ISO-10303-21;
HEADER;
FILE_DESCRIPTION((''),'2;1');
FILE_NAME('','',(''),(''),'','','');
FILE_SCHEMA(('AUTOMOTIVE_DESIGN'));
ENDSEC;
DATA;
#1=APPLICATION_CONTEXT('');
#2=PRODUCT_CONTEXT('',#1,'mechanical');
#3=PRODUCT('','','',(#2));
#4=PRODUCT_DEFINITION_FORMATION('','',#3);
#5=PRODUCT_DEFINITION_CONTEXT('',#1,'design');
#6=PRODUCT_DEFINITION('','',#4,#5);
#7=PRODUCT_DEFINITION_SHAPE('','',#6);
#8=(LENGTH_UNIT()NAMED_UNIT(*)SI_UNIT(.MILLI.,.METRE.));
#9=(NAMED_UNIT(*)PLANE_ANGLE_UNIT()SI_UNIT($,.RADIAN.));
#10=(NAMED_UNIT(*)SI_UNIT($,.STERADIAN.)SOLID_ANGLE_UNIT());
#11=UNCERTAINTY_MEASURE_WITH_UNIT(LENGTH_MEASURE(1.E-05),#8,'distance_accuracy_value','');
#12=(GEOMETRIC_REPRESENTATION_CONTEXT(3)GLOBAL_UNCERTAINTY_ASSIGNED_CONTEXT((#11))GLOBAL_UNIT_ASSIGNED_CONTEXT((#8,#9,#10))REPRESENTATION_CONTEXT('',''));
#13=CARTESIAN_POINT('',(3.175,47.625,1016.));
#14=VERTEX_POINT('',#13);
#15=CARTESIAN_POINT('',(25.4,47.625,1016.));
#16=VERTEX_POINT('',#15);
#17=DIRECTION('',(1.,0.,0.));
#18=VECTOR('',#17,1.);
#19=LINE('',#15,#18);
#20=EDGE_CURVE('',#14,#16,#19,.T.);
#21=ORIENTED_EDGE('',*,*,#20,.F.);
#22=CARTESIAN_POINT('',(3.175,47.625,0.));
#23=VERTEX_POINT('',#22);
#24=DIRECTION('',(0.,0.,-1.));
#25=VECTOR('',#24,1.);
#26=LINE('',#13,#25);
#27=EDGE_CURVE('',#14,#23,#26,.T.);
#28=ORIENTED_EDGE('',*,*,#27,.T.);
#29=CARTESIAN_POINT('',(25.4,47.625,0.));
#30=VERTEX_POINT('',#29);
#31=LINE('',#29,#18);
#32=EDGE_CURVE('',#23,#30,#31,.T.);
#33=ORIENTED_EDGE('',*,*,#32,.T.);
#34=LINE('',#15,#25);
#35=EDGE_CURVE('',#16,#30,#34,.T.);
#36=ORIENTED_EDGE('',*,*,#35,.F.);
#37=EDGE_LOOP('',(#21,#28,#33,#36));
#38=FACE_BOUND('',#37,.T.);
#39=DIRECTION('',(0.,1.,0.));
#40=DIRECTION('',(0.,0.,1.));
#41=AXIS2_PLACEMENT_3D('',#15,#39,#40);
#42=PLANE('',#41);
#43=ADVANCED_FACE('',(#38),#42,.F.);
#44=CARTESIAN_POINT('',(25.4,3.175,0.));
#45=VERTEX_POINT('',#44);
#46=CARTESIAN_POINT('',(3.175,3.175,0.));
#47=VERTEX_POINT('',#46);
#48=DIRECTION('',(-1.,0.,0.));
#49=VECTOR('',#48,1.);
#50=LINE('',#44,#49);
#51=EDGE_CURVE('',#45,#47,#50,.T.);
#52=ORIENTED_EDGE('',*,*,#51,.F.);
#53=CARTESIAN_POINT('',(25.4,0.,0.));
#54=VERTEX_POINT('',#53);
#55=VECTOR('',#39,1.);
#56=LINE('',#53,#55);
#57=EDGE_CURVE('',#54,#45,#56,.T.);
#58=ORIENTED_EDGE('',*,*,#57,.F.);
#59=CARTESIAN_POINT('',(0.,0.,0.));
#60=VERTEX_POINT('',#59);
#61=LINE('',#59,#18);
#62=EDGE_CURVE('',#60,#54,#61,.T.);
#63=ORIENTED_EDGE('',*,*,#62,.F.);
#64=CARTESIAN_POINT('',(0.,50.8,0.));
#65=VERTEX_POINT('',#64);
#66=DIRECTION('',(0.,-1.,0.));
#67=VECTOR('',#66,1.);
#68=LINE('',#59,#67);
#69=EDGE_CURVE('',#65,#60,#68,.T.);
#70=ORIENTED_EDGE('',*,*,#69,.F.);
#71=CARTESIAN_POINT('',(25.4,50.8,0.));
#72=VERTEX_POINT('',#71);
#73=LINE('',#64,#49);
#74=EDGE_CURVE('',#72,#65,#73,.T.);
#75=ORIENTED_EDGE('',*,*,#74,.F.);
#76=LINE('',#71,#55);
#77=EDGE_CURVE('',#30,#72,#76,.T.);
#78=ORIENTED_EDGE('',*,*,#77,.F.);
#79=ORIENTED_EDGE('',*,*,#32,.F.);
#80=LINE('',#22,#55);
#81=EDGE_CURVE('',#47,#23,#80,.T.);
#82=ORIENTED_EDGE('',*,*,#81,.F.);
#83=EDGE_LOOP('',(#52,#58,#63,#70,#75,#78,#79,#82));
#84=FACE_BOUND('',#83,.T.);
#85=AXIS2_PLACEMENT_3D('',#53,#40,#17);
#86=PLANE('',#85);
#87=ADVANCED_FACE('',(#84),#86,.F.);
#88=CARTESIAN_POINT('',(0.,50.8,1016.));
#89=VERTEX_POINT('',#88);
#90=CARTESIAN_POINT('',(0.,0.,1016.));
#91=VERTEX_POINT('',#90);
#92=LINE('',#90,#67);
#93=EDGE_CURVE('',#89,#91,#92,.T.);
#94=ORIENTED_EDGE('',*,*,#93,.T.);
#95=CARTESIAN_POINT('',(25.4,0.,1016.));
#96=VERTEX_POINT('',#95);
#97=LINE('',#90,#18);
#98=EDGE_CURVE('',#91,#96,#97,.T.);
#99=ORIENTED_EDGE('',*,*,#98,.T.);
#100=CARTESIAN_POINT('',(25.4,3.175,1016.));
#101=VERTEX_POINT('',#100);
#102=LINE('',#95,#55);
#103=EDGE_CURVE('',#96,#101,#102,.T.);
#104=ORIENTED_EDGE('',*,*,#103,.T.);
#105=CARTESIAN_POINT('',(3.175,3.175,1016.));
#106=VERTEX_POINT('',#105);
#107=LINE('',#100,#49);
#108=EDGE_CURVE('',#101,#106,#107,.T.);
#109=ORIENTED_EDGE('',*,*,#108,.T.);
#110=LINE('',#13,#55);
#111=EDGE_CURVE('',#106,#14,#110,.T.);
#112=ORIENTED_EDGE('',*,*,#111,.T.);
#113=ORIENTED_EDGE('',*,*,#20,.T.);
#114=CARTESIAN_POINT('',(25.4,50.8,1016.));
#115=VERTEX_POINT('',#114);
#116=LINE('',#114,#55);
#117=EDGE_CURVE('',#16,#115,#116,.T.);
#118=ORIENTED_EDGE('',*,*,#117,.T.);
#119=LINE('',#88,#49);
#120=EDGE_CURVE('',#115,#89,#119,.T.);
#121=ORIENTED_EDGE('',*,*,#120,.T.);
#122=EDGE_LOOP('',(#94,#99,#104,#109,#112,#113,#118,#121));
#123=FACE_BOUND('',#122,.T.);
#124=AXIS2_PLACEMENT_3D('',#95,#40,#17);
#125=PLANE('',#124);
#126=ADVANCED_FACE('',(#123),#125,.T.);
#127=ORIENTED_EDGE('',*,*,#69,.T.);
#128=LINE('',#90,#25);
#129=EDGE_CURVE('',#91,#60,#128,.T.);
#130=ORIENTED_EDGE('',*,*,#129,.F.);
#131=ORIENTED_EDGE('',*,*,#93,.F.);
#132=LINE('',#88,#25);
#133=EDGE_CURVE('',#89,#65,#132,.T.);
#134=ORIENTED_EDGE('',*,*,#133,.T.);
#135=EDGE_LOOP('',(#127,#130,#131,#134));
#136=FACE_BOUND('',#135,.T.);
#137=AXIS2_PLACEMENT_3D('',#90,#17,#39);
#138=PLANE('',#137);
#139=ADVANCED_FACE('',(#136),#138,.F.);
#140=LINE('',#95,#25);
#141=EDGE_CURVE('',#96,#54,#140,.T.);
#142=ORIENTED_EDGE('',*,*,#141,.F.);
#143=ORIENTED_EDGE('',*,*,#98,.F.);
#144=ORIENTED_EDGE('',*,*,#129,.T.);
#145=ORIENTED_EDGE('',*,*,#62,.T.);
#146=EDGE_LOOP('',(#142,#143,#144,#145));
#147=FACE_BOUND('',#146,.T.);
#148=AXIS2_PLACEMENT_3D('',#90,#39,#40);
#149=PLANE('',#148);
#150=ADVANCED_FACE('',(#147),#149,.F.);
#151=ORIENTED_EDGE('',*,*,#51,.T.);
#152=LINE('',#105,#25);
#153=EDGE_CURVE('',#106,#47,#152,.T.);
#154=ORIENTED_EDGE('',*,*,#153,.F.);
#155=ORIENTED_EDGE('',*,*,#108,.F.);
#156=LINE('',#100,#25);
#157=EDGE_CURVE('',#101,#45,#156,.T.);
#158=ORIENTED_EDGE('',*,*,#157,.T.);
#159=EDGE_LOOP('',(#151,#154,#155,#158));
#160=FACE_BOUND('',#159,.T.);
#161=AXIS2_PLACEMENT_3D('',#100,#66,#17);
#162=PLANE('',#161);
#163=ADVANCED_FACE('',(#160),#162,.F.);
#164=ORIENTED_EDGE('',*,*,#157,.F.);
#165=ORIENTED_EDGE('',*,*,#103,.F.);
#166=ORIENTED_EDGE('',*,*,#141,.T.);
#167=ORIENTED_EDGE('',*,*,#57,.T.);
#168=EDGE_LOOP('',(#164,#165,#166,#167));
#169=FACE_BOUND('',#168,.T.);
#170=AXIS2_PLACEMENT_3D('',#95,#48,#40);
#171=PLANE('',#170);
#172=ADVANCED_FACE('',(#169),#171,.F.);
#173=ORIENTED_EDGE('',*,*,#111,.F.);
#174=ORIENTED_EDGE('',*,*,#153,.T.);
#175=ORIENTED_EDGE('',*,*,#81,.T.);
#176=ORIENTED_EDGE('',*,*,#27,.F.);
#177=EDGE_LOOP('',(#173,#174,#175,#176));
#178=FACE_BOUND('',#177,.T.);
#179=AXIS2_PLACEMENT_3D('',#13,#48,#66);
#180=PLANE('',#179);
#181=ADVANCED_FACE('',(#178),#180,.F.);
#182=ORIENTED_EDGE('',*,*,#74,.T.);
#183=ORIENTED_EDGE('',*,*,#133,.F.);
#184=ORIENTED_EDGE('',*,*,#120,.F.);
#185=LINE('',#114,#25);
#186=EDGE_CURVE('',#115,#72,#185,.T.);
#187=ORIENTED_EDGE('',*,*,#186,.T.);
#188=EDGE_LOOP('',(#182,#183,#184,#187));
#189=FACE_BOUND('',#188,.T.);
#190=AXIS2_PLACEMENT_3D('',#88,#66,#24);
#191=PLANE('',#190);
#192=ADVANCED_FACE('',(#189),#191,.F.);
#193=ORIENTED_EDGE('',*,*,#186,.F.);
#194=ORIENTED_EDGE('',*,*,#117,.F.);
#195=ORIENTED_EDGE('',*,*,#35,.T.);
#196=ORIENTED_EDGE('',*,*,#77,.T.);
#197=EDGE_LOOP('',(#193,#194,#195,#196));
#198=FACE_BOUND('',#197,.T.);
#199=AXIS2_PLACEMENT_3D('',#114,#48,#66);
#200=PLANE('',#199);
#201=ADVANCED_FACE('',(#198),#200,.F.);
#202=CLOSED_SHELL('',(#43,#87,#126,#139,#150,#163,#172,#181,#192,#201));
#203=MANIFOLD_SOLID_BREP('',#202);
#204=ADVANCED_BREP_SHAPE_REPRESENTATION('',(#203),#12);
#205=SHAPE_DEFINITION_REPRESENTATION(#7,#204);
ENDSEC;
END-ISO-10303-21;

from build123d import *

# Parameters (mm, degrees)
EXTRUDE1_DEPTH = 1016


with BuildPart() as part:
    # Sketch1 → Extrude1 (new body)
    with BuildSketch(Plane.XY):
        Polygon((0, 0), (0, 50.8), (25.4, 50.8), (25.4, 47.625), (3.175, 47.625), (3.175, 3.175), (25.4, 3.175), (25.4, 0), align=None)
    extrude(amount=EXTRUDE1_DEPTH)


solid = part.part
